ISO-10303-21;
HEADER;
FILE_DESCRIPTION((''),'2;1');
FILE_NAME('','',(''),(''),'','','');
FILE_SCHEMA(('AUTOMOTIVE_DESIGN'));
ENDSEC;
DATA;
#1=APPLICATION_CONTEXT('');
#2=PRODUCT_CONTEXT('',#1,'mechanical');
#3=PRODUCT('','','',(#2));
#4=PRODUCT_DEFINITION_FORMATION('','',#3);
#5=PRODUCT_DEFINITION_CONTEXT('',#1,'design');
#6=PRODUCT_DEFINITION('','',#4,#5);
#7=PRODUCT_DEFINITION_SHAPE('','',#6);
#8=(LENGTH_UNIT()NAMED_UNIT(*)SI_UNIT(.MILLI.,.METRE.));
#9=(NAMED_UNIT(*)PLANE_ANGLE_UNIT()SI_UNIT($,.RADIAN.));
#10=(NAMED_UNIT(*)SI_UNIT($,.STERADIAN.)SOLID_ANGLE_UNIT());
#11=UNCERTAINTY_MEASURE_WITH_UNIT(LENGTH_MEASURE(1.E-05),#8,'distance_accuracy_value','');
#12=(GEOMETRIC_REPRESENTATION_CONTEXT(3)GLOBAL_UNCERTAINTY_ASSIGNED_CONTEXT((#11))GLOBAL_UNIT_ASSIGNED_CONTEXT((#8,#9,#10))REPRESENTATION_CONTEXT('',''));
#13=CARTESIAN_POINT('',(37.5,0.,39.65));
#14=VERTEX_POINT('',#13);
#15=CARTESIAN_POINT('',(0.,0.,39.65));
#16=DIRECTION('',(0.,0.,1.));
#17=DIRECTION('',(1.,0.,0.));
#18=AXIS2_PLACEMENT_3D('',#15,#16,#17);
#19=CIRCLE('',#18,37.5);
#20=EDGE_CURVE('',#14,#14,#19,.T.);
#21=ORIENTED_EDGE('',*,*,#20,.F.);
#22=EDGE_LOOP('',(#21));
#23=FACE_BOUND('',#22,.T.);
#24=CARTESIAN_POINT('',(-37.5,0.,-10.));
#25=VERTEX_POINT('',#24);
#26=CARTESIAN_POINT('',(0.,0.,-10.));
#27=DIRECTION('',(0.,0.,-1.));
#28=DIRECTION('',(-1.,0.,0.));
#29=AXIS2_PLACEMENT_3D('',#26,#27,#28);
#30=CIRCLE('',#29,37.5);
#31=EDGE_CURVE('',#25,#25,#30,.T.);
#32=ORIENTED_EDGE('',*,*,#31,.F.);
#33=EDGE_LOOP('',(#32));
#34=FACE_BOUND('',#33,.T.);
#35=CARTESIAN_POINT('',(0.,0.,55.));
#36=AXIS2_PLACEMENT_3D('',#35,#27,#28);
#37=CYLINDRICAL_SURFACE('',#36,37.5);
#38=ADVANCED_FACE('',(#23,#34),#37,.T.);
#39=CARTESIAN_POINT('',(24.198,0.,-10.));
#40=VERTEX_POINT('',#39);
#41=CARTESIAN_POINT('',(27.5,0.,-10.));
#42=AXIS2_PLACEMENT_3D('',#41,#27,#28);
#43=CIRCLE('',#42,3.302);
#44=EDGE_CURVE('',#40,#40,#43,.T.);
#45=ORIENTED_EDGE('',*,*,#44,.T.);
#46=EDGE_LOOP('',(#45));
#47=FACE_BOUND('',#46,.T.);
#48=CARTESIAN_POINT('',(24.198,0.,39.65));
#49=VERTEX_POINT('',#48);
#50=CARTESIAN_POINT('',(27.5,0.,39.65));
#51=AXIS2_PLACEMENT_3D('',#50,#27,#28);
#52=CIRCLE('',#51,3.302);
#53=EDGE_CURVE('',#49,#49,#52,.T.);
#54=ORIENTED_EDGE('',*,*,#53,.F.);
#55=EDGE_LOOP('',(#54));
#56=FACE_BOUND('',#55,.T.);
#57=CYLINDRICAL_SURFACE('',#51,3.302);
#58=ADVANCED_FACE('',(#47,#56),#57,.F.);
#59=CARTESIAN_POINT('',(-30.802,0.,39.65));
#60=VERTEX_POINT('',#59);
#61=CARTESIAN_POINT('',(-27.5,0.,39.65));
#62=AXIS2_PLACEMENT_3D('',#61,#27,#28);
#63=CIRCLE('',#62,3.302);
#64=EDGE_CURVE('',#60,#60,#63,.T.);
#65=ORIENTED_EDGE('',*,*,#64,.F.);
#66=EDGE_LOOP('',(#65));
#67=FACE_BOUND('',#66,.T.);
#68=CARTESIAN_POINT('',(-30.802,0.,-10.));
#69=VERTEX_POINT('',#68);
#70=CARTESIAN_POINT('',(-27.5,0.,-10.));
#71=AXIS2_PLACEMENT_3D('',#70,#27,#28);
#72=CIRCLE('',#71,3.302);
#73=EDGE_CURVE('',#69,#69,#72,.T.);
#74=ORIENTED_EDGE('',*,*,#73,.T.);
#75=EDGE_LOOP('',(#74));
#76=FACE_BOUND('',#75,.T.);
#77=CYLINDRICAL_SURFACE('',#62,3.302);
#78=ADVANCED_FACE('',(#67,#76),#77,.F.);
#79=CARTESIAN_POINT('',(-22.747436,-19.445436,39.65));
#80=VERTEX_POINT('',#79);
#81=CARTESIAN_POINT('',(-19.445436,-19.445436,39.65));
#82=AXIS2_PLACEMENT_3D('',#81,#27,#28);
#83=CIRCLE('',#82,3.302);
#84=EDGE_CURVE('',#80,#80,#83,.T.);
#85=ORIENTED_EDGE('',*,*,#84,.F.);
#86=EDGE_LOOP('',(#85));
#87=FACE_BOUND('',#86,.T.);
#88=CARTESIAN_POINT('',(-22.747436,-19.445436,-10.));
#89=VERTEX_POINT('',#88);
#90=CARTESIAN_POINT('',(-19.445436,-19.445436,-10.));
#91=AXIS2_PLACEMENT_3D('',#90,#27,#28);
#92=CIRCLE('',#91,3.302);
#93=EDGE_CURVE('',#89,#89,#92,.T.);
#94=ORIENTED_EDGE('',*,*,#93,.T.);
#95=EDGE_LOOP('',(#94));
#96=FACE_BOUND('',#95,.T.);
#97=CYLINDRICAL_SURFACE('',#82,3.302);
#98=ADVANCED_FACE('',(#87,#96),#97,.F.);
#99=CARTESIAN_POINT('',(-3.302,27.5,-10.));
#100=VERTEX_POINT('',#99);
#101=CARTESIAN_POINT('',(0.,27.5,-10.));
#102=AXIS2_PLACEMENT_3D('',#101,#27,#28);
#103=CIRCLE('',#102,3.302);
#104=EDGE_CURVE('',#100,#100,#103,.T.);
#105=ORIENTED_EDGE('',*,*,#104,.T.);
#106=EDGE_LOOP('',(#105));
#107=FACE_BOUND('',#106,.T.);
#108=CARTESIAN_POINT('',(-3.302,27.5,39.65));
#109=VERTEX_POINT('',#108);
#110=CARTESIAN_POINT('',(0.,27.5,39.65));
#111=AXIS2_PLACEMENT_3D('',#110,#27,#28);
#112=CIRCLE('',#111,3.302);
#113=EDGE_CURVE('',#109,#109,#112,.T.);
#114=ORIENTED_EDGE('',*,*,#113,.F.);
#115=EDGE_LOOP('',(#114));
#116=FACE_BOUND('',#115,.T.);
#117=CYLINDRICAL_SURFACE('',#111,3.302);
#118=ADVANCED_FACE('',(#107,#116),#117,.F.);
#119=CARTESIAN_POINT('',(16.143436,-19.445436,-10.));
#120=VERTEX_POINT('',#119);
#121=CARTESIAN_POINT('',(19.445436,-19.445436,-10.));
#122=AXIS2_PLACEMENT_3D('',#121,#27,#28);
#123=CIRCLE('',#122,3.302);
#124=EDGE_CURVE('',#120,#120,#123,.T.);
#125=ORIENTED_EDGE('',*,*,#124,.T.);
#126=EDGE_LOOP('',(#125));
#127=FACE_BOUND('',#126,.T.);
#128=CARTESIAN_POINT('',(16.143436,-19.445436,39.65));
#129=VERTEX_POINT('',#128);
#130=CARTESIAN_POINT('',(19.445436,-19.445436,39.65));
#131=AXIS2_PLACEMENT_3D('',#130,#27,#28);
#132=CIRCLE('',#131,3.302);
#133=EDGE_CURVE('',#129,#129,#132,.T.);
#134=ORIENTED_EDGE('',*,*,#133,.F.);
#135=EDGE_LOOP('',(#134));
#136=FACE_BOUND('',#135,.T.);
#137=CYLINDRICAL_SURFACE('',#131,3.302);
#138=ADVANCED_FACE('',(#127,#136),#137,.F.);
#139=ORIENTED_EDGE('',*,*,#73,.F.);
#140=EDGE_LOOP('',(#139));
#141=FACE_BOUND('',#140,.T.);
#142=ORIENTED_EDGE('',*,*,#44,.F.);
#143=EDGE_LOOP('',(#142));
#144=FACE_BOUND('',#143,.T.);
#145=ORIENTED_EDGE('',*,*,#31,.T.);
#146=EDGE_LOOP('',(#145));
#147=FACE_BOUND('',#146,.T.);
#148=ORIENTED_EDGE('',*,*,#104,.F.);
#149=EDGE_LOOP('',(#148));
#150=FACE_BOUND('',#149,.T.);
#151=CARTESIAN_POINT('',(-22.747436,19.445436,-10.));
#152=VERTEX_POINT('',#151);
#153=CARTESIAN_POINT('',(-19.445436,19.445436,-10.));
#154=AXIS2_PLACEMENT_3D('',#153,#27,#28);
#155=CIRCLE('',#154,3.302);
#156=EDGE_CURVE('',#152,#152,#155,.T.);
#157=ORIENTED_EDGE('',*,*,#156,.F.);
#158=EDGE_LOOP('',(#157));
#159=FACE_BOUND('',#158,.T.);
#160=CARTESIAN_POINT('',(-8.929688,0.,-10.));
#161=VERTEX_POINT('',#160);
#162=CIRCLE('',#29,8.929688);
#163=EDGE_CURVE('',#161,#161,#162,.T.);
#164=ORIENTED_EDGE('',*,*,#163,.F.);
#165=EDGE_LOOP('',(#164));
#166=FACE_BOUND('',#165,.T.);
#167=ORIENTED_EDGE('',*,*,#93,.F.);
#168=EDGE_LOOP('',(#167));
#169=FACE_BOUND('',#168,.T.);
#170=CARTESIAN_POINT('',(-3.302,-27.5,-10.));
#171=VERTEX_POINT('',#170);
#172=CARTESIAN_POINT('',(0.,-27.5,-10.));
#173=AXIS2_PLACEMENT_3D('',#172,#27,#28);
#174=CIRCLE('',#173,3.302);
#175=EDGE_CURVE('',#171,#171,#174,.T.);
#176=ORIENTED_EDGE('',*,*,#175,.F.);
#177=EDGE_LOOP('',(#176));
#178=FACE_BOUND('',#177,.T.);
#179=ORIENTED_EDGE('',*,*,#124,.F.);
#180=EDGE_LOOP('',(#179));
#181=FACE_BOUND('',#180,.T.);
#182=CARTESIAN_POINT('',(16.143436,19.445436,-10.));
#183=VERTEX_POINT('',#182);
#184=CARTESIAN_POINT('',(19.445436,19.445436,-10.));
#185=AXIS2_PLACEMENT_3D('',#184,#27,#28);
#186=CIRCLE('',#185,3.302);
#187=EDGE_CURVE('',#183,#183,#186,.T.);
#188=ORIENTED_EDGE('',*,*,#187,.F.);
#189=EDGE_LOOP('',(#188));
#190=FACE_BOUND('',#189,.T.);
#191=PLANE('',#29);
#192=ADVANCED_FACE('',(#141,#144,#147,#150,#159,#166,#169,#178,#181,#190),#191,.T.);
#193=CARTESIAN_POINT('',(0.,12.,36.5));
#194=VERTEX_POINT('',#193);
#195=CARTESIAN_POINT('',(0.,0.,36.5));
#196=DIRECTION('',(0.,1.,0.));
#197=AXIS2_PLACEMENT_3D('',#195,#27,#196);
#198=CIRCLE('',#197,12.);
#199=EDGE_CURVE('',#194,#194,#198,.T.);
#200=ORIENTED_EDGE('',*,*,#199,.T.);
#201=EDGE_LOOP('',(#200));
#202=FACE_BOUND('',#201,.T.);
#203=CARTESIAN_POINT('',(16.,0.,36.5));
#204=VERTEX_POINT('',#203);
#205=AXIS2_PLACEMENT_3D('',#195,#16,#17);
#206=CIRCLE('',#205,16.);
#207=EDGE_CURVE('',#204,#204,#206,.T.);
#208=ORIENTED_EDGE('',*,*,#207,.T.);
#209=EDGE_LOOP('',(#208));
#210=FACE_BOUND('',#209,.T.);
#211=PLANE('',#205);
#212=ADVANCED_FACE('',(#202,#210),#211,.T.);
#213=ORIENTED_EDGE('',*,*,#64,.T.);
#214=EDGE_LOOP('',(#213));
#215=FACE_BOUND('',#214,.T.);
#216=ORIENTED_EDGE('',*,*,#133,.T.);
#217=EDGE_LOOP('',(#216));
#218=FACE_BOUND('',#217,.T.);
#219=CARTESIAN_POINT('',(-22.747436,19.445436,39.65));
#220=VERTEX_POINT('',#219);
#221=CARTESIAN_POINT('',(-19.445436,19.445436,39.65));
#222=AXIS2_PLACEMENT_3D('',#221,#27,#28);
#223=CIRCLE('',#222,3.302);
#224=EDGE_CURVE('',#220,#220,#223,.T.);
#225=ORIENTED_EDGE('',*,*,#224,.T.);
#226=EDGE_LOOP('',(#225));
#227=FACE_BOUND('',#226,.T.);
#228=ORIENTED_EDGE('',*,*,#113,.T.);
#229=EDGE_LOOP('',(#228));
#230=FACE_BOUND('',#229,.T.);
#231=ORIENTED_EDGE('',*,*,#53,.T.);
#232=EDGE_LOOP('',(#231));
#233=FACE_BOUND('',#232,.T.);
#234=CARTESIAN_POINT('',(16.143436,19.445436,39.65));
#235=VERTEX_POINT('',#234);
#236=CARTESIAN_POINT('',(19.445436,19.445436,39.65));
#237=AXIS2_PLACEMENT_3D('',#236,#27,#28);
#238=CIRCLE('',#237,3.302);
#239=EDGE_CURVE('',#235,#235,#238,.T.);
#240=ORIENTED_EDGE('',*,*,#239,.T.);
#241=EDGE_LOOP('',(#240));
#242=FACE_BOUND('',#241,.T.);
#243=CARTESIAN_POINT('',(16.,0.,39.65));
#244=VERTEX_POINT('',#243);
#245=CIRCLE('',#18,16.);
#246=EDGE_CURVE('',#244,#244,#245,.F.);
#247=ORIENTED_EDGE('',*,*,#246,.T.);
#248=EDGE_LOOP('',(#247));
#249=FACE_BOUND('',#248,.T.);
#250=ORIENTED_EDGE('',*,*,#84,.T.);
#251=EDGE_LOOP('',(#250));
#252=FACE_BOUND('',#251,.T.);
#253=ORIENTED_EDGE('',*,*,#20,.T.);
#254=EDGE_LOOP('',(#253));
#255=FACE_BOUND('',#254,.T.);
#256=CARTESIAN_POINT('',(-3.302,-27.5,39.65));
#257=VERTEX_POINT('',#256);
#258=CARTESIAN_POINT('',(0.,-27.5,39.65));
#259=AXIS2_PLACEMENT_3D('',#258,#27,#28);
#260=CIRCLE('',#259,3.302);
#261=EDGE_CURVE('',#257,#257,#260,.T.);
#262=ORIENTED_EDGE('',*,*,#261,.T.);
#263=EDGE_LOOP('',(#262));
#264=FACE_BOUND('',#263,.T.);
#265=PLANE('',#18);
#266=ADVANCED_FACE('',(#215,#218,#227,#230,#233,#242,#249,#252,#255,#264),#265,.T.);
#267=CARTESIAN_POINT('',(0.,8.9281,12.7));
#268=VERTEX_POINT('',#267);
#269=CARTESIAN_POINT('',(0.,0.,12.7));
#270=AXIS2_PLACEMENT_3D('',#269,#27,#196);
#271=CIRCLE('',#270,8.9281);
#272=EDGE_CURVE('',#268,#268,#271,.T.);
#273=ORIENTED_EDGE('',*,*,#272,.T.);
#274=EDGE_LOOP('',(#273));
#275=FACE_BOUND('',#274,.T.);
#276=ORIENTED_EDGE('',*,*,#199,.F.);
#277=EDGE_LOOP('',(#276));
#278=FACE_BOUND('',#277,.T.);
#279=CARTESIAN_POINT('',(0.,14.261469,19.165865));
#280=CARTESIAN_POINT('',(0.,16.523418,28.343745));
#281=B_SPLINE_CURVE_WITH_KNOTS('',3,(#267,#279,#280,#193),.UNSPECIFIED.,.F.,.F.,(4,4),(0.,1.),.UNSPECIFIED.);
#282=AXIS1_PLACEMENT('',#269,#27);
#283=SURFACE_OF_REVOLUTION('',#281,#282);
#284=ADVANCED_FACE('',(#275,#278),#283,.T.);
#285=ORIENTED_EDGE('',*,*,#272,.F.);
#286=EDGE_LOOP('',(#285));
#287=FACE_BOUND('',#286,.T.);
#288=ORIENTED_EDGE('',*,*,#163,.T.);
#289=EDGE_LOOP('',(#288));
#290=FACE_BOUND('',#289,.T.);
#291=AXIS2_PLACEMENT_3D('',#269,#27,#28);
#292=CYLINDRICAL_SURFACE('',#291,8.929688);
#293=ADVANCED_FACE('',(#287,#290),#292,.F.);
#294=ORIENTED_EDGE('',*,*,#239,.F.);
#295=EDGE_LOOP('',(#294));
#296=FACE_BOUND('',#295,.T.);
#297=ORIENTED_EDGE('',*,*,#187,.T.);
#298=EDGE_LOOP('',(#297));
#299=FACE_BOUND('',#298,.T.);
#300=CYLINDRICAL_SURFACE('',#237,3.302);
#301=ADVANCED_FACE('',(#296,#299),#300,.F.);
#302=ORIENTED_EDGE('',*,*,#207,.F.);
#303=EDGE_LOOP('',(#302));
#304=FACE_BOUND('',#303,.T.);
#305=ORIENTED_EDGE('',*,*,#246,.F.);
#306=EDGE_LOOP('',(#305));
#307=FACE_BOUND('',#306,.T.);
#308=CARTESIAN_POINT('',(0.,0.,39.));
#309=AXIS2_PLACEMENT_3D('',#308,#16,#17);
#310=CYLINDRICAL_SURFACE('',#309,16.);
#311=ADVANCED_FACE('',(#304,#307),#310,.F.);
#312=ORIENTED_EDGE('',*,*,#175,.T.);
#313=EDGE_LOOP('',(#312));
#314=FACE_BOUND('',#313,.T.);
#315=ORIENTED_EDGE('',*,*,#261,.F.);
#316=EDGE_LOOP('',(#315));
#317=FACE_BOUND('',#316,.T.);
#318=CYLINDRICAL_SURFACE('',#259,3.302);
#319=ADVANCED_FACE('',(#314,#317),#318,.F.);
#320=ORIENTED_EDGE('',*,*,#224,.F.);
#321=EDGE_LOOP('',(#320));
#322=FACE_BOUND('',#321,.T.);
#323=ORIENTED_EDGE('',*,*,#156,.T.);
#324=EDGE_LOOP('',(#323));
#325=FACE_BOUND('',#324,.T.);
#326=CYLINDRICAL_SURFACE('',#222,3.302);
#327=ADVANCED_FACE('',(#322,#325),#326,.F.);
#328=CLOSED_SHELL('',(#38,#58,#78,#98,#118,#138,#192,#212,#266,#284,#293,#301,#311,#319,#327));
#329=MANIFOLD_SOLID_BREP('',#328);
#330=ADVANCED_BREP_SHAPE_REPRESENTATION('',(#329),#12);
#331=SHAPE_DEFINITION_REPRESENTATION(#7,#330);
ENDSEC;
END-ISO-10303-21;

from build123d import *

# Parameters (mm, degrees)
SKETCH1_R           = 37.5
BOSS_EXTRUDE1_DEPTH = 55
SKETCH2_R           = 16
CUT_EXTRUDE1_DEPTH  = 16
SKETCH3_R           = 16
CUT_EXTRUDE2_DEPTH  = 2.5
SKETCH6_R           = 8.9296875
CUT_EXTRUDE3_DEPTH  = 12.7
CUT_EXTRUDE4_START  = -15.35
SKETCH7_R           = 37.5
CUT_EXTRUDE4_DEPTH  = 15.35
SKETCH9_R           = 3.302
CUT_EXTRUDE6_DEPTH  = 67.216482087
BOSS_EXTRUDE2_START = 10
SKETCH10_R          = 37.5
SKETCH10_R_2        = 8.9296875
SKETCH10_R_3        = 3.302
BOSS_EXTRUDE2_DEPTH = 10


with BuildPart() as part:
    # Sketch1 → Boss-Extrude1 (new body)
    with BuildSketch(Plane.XY):
        Circle(SKETCH1_R)
    extrude(amount=BOSS_EXTRUDE1_DEPTH)

    # Sketch2 → Cut-Extrude1 (cut)
    with BuildSketch(Plane.XY.offset(55)):
        Circle(SKETCH2_R)
    extrude(amount=-CUT_EXTRUDE1_DEPTH, mode=Mode.SUBTRACT)

    # Sketch3 → Cut-Extrude2 (cut)
    with BuildSketch(Plane.XY.offset(39)):
        Circle(SKETCH3_R)
    extrude(amount=-CUT_EXTRUDE2_DEPTH, mode=Mode.SUBTRACT)

    # Sketch4 → Cut-Revolve1 (revolve, cut)
    with BuildSketch(Plane(origin=(0, 0, 0), x_dir=(0, 0, -1), z_dir=(1, 0, 0))):
        with BuildLine():
            Line((-12.7, 8.9281), (-12.7, 0))
            Line((-12.7, 0), (-36.5, 0))
            Line((-36.5, 0), (-36.5, 12))
            add(Edge.make_bspline(
                [(-36.5, 12), (-28.343745376, 16.523417527), (-19.165864626, 14.261468976), (-12.7, 8.9281)],
                knots=[0, 0, 0, 0, 1, 1, 1, 1], degree=3))
        make_face()
    revolve(axis=Axis((0, 0, 12.7), (0, 0, 1)), mode=Mode.SUBTRACT)

    # Sketch6 → Cut-Extrude3 (cut)
    with BuildSketch(Plane(origin=(0, 0, 0), x_dir=(-1, 0, 0), z_dir=(0, 0, -1))):
        Circle(SKETCH6_R)
    extrude(amount=-CUT_EXTRUDE3_DEPTH, mode=Mode.SUBTRACT)

    # Sketch7 → Cut-Extrude4 (cut)
    with BuildSketch(Plane.XY.offset(55).offset(CUT_EXTRUDE4_START)):
        Circle(SKETCH7_R)
    extrude(amount=CUT_EXTRUDE4_DEPTH, mode=Mode.SUBTRACT)

    # Sketch9 → Cut-Extrude6 (cut, through all)
    with BuildSketch(Plane(origin=(0, 0, 0), x_dir=(-1, 0, 0), z_dir=(0, 0, -1))):
        with Locations((0, -27.5)):
            Circle(SKETCH9_R)
        with Locations((-19.445436483, -19.445436483)):
            Circle(SKETCH9_R)
        with Locations((-27.5, 0)):
            Circle(SKETCH9_R)
        with Locations((-19.445436483, 19.445436483)):
            Circle(SKETCH9_R)
        with Locations((0, 27.5)):
            Circle(SKETCH9_R)
        with Locations((19.445436483, 19.445436483)):
            Circle(SKETCH9_R)
        with Locations((27.5, 0)):
            Circle(SKETCH9_R)
        with Locations((19.445436483, -19.445436483)):
            Circle(SKETCH9_R)
    extrude(amount=-CUT_EXTRUDE6_DEPTH, mode=Mode.SUBTRACT)

    # Sketch10 → Boss-Extrude2 (add)
    with BuildSketch(Plane(origin=(0, 0, 0), x_dir=(-1, 0, 0), z_dir=(0, 0, -1)).offset(BOSS_EXTRUDE2_START)):
        Circle(SKETCH10_R)
        Circle(SKETCH10_R_2, mode=Mode.SUBTRACT)
        with Locations((-27.5, 0)):
            Circle(SKETCH10_R_3, mode=Mode.SUBTRACT)
        with Locations((-19.445436483, -19.445436483)):
            Circle(SKETCH10_R_3, mode=Mode.SUBTRACT)
        with Locations((0, -27.5)):
            Circle(SKETCH10_R_3, mode=Mode.SUBTRACT)
        with Locations((19.445436483, -19.445436483)):
            Circle(SKETCH10_R_3, mode=Mode.SUBTRACT)
        with Locations((27.5, 0)):
            Circle(SKETCH10_R_3, mode=Mode.SUBTRACT)
        with Locations((19.445436483, 19.445436483)):
            Circle(SKETCH10_R_3, mode=Mode.SUBTRACT)
        with Locations((0, 27.5)):
            Circle(SKETCH10_R_3, mode=Mode.SUBTRACT)
        with Locations((-19.445436483, 19.445436483)):
            Circle(SKETCH10_R_3, mode=Mode.SUBTRACT)
    extrude(amount=-BOSS_EXTRUDE2_DEPTH)


solid = part.part
